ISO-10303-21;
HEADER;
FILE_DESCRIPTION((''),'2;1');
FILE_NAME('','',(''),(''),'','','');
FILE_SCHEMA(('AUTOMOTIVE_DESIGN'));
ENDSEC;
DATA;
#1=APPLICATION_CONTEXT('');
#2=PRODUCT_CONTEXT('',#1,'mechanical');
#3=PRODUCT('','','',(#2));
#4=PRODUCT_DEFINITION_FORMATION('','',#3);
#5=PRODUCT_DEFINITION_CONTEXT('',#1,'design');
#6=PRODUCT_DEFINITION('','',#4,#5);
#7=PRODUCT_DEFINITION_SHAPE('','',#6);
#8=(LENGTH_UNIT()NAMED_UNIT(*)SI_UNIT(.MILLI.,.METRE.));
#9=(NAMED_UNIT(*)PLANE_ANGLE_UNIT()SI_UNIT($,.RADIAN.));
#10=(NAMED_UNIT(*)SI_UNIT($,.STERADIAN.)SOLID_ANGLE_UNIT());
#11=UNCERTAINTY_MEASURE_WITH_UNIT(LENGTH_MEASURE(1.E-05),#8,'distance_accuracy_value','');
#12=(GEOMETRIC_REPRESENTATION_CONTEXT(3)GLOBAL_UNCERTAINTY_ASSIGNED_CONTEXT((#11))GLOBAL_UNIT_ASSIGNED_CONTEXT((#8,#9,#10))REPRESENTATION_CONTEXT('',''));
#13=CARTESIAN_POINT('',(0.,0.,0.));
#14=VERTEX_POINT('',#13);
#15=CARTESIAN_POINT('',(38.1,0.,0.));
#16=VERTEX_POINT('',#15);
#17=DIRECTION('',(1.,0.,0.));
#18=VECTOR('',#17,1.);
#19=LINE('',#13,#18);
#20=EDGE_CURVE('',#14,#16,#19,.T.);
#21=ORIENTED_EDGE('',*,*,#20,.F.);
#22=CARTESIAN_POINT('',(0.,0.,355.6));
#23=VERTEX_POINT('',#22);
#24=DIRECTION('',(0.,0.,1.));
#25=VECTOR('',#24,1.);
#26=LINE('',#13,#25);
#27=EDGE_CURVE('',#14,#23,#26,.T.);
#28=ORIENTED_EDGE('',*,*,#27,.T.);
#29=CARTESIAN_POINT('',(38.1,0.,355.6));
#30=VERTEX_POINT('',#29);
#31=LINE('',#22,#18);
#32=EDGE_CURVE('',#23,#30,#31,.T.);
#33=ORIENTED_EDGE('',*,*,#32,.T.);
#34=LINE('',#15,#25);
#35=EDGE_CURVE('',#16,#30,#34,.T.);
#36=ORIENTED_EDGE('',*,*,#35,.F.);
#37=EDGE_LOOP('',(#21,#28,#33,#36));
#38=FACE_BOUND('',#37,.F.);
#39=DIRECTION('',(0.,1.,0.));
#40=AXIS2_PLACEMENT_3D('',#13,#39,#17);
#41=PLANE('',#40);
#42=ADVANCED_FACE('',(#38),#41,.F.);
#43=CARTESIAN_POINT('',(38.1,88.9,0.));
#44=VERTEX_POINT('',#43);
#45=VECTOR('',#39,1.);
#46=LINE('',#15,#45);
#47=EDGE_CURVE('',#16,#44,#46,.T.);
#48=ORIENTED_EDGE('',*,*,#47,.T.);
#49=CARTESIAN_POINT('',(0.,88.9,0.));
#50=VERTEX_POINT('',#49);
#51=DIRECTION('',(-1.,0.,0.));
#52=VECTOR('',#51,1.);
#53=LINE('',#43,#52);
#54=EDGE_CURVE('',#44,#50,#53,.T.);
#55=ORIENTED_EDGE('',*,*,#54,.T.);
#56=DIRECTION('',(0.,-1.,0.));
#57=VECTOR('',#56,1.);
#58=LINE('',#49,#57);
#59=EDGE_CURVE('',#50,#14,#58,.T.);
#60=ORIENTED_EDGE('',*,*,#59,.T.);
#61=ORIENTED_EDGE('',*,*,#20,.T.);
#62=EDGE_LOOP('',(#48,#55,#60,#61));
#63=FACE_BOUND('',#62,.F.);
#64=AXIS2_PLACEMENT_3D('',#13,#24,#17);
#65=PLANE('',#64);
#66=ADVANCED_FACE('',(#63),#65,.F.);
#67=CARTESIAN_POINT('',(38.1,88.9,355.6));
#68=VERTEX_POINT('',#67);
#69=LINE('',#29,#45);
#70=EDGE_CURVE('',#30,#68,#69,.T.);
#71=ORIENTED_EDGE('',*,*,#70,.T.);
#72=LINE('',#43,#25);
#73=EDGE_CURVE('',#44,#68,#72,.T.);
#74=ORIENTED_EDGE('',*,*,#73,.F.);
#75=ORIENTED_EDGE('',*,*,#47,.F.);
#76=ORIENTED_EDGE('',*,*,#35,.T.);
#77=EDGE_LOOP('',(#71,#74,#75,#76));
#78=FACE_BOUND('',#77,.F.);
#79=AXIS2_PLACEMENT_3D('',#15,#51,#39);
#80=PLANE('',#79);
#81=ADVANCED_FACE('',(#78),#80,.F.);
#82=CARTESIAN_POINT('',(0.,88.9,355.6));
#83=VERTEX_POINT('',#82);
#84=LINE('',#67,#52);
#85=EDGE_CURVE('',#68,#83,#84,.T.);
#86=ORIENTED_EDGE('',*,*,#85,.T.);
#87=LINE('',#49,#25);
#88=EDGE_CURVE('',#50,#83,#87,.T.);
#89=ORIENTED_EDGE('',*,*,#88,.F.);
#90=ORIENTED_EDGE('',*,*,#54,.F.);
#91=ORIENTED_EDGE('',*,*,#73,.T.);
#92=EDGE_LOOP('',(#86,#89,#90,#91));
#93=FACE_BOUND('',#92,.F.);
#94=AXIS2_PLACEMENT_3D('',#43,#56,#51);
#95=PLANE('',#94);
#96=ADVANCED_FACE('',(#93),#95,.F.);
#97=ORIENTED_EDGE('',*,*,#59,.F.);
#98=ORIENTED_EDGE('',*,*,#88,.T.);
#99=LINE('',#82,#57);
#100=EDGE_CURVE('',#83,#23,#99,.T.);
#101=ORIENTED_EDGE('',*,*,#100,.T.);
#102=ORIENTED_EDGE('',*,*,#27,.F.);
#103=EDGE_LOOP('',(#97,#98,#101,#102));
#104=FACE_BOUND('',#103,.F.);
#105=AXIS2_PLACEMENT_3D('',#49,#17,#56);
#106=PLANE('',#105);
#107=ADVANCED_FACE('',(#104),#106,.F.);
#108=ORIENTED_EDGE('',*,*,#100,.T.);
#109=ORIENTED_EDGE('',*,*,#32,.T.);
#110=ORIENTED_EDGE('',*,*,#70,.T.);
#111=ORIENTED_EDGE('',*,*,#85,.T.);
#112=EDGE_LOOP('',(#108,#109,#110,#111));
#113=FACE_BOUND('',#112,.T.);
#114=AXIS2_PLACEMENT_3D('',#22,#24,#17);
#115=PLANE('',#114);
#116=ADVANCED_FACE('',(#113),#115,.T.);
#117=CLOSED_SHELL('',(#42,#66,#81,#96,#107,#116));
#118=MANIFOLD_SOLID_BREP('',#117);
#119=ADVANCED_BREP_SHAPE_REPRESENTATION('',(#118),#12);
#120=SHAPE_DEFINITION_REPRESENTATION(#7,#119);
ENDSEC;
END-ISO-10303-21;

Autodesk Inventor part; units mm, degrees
ref_plane "YZ Plane" through (0, 0, 0) normal (1, 0, 0) x (0, 1, 0)
ref_plane "XZ Plane" through (0, 0, 0) normal (0, 1, 0) x (-1, 0, 0)
ref_plane "XY Plane" through (0, 0, 0) normal (0, 0, 1) x (1, 0, 0)
sketch "Sketch1" plane through (0, 0, 0) normal (0, 0, 1) x (1, 0, 0)
  line L0 (0, 0) -> (38.1, 0)
  line L1 (38.1, 0) -> (38.1, 88.9)
  line L2 (38.1, 88.9) -> (0, 88.9)
  line L3 (0, 88.9) -> (0, 0)
  dimension "d0" = 38.1
  dimension "d1" = 88.9
extrude "Extrusion1" add sketch "Sketch1" along normal blind 355.6
properties part number "BA06" material "Wood (Oak)"
